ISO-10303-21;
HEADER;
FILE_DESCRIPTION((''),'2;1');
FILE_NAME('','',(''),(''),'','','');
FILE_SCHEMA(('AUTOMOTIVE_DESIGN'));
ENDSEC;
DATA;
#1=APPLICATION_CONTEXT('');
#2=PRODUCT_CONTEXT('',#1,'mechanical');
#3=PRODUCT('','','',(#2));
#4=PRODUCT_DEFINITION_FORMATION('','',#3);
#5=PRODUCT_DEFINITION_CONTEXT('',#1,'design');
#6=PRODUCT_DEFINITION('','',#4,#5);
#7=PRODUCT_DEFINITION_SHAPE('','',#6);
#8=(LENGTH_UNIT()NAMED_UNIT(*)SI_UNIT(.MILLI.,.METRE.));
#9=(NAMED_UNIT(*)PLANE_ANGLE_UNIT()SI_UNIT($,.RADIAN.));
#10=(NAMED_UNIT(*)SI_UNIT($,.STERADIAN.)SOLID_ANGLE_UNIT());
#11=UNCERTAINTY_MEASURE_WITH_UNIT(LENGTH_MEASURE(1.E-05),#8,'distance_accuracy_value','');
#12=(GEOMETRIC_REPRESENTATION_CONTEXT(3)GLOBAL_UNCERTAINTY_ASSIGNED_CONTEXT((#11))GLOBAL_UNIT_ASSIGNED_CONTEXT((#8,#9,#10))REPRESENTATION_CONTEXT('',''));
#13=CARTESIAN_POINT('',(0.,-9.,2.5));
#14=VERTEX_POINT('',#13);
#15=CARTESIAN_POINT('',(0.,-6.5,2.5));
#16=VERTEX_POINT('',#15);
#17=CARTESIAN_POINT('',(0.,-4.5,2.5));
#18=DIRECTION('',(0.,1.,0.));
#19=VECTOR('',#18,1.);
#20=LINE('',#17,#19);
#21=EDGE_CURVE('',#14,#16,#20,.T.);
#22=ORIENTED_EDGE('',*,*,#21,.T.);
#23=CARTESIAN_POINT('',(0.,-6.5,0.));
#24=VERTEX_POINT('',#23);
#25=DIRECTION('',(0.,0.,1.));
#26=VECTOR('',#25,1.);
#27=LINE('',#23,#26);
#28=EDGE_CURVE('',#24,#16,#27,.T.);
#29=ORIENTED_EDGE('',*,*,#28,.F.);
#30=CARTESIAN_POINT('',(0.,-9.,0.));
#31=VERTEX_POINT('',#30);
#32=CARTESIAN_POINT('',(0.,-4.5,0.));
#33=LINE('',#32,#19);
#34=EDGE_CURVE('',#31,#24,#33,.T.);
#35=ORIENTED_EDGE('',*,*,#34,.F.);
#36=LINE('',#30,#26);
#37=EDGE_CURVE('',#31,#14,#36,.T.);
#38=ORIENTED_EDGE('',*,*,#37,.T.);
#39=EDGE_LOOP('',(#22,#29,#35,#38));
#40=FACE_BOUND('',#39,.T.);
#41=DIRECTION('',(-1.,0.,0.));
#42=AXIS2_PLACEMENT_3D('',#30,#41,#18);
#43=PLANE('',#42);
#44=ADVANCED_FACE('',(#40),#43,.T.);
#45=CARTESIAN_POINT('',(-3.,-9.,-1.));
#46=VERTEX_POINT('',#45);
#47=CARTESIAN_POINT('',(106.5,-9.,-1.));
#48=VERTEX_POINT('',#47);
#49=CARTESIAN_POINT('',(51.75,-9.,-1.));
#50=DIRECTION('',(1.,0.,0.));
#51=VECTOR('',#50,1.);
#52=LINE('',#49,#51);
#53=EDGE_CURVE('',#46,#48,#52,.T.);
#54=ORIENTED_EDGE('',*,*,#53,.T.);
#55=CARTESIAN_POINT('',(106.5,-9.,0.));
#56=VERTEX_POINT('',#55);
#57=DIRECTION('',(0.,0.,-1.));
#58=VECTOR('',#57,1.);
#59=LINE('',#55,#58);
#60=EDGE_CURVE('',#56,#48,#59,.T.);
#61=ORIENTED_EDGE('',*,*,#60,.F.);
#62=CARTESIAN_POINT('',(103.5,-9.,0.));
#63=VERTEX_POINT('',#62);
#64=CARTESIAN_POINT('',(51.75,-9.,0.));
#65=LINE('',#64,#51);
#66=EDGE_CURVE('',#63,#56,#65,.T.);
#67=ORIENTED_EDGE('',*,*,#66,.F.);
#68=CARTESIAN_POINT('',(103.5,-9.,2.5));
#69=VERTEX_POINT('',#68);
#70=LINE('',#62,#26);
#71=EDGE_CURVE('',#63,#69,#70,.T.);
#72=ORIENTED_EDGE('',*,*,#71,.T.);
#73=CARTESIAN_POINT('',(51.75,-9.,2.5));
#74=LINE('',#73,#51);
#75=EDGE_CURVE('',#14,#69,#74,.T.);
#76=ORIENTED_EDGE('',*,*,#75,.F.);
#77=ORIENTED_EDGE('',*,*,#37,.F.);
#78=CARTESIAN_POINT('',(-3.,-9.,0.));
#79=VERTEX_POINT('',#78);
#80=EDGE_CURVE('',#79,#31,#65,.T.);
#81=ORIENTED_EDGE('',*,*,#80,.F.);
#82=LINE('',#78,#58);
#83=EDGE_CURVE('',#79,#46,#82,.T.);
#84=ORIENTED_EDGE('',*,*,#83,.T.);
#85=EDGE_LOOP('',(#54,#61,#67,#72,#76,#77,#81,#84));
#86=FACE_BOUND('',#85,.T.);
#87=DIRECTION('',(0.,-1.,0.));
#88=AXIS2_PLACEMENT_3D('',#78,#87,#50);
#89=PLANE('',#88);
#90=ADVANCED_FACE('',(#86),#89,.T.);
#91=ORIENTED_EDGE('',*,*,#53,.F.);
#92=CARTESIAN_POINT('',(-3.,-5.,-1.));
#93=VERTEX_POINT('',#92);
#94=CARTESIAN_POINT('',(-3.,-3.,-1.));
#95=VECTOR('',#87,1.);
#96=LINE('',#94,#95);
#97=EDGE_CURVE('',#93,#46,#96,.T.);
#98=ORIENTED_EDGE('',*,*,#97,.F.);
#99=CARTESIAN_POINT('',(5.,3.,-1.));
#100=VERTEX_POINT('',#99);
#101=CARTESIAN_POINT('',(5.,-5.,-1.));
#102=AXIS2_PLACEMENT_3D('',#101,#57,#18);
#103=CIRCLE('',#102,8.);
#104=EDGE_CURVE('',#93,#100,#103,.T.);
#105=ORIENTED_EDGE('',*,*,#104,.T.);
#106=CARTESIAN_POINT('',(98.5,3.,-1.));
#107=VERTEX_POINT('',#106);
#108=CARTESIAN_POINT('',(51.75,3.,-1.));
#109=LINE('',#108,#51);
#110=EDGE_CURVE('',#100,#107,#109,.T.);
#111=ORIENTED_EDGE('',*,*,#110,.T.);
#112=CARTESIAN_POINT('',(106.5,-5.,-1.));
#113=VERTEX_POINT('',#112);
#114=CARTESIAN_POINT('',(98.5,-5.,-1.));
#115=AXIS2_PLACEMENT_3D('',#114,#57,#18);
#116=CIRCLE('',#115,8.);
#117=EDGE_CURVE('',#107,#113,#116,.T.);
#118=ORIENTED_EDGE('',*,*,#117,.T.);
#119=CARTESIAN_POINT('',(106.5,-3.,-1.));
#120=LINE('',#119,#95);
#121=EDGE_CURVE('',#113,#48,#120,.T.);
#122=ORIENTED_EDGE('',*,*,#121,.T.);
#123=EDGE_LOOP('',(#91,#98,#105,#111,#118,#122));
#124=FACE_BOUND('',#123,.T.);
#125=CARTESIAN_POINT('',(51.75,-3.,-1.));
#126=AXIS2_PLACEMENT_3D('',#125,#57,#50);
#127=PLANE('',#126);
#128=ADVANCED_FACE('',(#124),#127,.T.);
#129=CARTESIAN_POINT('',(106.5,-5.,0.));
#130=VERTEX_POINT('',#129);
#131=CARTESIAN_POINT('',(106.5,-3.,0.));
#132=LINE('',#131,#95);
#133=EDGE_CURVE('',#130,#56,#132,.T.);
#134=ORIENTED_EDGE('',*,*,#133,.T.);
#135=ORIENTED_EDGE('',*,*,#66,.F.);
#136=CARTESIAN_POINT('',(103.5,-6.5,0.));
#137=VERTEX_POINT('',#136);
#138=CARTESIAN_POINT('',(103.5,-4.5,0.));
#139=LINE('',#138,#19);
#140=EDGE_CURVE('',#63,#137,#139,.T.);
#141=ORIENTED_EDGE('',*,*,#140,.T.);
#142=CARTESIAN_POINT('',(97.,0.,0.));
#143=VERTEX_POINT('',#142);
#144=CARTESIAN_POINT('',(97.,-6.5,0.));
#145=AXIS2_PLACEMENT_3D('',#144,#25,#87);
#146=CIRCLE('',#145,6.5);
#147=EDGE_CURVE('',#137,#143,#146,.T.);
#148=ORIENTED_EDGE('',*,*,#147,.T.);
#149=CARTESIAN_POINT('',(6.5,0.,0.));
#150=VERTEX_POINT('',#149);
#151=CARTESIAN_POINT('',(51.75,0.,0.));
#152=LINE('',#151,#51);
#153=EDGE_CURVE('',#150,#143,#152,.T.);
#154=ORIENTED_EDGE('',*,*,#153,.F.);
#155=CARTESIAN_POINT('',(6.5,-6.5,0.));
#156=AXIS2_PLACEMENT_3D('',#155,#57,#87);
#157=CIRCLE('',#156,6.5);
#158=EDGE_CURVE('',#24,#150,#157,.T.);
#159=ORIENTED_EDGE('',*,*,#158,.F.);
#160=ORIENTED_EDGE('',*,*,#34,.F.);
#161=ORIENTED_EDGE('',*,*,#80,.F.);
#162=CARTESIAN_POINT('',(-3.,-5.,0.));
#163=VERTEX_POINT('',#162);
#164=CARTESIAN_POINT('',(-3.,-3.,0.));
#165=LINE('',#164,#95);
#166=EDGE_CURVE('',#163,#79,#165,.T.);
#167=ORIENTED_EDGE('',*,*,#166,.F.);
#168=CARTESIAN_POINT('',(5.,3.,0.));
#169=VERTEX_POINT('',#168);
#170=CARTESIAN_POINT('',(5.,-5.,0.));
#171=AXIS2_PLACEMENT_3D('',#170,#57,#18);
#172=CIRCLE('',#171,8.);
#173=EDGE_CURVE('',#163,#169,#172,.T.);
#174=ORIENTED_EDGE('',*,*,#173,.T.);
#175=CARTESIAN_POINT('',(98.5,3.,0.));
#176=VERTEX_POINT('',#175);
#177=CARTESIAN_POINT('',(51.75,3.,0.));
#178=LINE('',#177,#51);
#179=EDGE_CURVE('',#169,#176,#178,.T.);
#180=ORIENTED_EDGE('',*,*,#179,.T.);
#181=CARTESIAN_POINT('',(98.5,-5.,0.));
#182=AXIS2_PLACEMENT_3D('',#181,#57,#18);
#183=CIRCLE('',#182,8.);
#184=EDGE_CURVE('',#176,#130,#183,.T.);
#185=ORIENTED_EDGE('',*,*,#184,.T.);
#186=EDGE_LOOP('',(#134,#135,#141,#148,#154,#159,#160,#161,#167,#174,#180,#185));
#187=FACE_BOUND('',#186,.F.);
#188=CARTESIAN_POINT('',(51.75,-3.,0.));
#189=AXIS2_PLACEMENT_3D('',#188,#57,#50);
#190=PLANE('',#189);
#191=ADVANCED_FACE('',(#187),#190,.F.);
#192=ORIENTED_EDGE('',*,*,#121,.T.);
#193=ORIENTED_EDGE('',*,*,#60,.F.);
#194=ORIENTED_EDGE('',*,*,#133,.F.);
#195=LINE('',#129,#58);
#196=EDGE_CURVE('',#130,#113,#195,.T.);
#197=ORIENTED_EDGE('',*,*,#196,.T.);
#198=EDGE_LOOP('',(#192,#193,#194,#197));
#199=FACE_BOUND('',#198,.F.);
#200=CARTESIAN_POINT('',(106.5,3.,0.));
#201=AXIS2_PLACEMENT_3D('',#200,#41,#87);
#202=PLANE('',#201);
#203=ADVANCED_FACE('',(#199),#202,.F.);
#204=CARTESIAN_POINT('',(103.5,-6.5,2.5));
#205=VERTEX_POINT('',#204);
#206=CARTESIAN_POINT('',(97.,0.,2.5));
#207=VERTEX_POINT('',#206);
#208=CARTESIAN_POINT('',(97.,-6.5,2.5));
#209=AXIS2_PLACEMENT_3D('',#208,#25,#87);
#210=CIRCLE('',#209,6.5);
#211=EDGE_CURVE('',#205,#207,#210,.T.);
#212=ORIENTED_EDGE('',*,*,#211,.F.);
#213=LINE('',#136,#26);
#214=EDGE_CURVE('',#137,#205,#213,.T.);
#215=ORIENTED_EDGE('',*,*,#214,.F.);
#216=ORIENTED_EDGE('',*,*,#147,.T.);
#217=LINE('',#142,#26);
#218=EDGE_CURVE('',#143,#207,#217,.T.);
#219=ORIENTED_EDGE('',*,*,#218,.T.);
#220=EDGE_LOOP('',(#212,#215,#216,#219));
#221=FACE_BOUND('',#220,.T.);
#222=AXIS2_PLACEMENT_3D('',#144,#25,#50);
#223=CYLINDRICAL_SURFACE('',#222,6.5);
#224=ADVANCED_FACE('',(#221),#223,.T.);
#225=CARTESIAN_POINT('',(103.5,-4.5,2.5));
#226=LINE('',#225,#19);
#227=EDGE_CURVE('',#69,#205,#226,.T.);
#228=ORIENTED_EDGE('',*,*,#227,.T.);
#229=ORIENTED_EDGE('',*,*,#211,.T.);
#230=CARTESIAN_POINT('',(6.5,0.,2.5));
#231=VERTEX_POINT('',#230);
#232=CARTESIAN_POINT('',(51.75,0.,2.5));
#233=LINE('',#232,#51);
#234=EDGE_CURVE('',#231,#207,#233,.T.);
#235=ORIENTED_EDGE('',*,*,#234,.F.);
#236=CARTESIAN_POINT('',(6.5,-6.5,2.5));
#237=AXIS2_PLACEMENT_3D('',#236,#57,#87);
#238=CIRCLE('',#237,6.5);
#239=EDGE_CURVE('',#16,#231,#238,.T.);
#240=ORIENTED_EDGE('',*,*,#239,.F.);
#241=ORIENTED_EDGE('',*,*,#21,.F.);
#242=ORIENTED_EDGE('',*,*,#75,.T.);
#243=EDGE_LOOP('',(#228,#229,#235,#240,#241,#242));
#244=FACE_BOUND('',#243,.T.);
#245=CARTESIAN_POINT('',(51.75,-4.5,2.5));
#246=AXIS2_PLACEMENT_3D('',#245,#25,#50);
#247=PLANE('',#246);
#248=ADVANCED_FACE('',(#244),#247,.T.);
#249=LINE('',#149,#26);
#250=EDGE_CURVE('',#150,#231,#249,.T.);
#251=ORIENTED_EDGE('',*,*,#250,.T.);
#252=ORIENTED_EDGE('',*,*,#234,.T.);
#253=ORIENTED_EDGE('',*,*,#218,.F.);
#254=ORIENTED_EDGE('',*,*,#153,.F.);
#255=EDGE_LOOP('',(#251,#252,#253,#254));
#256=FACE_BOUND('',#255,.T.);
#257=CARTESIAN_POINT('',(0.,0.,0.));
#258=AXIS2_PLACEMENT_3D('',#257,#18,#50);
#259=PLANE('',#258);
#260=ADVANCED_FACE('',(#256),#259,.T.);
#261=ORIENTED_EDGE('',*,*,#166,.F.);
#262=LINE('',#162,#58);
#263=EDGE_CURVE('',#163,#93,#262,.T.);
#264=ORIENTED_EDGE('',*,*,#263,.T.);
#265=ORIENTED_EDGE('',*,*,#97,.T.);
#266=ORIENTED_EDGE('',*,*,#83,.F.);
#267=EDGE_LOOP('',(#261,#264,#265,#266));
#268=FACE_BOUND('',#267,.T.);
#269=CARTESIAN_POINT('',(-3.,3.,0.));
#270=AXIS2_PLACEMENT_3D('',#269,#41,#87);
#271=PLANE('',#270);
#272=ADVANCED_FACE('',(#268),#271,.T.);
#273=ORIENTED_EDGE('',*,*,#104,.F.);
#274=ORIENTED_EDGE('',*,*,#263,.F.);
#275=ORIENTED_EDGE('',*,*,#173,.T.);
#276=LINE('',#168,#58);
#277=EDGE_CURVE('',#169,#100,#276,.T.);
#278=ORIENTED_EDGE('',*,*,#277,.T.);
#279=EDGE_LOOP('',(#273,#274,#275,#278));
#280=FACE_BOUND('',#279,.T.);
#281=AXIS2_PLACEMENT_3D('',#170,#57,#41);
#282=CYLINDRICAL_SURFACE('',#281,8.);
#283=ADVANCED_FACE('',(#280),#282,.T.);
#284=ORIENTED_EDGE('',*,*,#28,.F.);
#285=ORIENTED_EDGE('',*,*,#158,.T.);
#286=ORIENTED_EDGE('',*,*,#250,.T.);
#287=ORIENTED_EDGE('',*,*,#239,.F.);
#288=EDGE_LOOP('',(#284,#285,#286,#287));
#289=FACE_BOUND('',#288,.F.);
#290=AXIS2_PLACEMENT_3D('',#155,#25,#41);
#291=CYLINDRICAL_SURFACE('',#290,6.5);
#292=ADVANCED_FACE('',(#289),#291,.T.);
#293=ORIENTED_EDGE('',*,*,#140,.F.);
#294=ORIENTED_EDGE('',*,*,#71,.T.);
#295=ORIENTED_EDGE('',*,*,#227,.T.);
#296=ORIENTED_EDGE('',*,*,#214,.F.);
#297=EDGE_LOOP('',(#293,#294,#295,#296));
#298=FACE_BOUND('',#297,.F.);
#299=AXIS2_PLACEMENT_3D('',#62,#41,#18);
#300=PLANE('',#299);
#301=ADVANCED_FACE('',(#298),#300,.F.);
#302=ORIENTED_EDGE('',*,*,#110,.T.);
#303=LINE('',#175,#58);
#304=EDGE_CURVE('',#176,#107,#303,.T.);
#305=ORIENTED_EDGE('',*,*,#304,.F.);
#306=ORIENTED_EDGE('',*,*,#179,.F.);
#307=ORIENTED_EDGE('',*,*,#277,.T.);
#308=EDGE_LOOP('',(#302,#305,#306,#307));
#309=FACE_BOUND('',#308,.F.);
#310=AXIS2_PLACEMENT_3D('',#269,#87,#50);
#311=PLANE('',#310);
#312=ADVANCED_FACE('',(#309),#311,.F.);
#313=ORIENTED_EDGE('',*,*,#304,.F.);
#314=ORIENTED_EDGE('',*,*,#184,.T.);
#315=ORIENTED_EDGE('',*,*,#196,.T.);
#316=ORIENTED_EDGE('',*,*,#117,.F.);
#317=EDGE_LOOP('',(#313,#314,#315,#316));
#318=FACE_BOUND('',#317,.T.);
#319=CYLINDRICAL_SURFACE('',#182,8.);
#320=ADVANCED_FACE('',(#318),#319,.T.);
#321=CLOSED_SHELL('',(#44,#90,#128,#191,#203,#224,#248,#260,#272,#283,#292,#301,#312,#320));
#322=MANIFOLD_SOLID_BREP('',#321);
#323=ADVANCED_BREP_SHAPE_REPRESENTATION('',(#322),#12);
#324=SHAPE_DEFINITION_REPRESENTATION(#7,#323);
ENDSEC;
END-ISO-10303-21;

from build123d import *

# Parameters (mm, degrees)
F0_W     = 103.5
F0_H     = 9
F1_DEPTH = 2.5
F2_R     = 6.5
F3_W     = 109.5
F3_H     = 12
F4_DEPTH = 1
F5_R     = 8


with BuildPart() as f1:
    # F0 (on Top) → F1 (new body)
    with BuildSketch(Plane.XY):
        with Locations((51.75, -4.5)):
            Rectangle(F0_W, F0_H)
    extrude(amount=F1_DEPTH)

    # F2
    f2_edges = [f1.edges().sort_by_distance(p)[0] for p in [
        (103.5, 0, 1.25),
        (0, 0, 1.25),
    ]]
    fillet(f2_edges, radius=F2_R)

    # F3 (on face) → F4 (join)
    with BuildSketch(Plane(origin=(0, 0, 0), x_dir=(1, 0, 0), z_dir=(0, 0, -1))):
        with Locations((51.75, 3)):
            Rectangle(F3_W, F3_H)
    extrude(amount=F4_DEPTH)

    # F5
    f5_edges = [f1.edges().sort_by_distance(p)[0] for p in [
        (106.5, 3, -0.5),
        (-3, 3, -0.5),
    ]]
    fillet(f5_edges, radius=F5_R)


solid = f1.part
